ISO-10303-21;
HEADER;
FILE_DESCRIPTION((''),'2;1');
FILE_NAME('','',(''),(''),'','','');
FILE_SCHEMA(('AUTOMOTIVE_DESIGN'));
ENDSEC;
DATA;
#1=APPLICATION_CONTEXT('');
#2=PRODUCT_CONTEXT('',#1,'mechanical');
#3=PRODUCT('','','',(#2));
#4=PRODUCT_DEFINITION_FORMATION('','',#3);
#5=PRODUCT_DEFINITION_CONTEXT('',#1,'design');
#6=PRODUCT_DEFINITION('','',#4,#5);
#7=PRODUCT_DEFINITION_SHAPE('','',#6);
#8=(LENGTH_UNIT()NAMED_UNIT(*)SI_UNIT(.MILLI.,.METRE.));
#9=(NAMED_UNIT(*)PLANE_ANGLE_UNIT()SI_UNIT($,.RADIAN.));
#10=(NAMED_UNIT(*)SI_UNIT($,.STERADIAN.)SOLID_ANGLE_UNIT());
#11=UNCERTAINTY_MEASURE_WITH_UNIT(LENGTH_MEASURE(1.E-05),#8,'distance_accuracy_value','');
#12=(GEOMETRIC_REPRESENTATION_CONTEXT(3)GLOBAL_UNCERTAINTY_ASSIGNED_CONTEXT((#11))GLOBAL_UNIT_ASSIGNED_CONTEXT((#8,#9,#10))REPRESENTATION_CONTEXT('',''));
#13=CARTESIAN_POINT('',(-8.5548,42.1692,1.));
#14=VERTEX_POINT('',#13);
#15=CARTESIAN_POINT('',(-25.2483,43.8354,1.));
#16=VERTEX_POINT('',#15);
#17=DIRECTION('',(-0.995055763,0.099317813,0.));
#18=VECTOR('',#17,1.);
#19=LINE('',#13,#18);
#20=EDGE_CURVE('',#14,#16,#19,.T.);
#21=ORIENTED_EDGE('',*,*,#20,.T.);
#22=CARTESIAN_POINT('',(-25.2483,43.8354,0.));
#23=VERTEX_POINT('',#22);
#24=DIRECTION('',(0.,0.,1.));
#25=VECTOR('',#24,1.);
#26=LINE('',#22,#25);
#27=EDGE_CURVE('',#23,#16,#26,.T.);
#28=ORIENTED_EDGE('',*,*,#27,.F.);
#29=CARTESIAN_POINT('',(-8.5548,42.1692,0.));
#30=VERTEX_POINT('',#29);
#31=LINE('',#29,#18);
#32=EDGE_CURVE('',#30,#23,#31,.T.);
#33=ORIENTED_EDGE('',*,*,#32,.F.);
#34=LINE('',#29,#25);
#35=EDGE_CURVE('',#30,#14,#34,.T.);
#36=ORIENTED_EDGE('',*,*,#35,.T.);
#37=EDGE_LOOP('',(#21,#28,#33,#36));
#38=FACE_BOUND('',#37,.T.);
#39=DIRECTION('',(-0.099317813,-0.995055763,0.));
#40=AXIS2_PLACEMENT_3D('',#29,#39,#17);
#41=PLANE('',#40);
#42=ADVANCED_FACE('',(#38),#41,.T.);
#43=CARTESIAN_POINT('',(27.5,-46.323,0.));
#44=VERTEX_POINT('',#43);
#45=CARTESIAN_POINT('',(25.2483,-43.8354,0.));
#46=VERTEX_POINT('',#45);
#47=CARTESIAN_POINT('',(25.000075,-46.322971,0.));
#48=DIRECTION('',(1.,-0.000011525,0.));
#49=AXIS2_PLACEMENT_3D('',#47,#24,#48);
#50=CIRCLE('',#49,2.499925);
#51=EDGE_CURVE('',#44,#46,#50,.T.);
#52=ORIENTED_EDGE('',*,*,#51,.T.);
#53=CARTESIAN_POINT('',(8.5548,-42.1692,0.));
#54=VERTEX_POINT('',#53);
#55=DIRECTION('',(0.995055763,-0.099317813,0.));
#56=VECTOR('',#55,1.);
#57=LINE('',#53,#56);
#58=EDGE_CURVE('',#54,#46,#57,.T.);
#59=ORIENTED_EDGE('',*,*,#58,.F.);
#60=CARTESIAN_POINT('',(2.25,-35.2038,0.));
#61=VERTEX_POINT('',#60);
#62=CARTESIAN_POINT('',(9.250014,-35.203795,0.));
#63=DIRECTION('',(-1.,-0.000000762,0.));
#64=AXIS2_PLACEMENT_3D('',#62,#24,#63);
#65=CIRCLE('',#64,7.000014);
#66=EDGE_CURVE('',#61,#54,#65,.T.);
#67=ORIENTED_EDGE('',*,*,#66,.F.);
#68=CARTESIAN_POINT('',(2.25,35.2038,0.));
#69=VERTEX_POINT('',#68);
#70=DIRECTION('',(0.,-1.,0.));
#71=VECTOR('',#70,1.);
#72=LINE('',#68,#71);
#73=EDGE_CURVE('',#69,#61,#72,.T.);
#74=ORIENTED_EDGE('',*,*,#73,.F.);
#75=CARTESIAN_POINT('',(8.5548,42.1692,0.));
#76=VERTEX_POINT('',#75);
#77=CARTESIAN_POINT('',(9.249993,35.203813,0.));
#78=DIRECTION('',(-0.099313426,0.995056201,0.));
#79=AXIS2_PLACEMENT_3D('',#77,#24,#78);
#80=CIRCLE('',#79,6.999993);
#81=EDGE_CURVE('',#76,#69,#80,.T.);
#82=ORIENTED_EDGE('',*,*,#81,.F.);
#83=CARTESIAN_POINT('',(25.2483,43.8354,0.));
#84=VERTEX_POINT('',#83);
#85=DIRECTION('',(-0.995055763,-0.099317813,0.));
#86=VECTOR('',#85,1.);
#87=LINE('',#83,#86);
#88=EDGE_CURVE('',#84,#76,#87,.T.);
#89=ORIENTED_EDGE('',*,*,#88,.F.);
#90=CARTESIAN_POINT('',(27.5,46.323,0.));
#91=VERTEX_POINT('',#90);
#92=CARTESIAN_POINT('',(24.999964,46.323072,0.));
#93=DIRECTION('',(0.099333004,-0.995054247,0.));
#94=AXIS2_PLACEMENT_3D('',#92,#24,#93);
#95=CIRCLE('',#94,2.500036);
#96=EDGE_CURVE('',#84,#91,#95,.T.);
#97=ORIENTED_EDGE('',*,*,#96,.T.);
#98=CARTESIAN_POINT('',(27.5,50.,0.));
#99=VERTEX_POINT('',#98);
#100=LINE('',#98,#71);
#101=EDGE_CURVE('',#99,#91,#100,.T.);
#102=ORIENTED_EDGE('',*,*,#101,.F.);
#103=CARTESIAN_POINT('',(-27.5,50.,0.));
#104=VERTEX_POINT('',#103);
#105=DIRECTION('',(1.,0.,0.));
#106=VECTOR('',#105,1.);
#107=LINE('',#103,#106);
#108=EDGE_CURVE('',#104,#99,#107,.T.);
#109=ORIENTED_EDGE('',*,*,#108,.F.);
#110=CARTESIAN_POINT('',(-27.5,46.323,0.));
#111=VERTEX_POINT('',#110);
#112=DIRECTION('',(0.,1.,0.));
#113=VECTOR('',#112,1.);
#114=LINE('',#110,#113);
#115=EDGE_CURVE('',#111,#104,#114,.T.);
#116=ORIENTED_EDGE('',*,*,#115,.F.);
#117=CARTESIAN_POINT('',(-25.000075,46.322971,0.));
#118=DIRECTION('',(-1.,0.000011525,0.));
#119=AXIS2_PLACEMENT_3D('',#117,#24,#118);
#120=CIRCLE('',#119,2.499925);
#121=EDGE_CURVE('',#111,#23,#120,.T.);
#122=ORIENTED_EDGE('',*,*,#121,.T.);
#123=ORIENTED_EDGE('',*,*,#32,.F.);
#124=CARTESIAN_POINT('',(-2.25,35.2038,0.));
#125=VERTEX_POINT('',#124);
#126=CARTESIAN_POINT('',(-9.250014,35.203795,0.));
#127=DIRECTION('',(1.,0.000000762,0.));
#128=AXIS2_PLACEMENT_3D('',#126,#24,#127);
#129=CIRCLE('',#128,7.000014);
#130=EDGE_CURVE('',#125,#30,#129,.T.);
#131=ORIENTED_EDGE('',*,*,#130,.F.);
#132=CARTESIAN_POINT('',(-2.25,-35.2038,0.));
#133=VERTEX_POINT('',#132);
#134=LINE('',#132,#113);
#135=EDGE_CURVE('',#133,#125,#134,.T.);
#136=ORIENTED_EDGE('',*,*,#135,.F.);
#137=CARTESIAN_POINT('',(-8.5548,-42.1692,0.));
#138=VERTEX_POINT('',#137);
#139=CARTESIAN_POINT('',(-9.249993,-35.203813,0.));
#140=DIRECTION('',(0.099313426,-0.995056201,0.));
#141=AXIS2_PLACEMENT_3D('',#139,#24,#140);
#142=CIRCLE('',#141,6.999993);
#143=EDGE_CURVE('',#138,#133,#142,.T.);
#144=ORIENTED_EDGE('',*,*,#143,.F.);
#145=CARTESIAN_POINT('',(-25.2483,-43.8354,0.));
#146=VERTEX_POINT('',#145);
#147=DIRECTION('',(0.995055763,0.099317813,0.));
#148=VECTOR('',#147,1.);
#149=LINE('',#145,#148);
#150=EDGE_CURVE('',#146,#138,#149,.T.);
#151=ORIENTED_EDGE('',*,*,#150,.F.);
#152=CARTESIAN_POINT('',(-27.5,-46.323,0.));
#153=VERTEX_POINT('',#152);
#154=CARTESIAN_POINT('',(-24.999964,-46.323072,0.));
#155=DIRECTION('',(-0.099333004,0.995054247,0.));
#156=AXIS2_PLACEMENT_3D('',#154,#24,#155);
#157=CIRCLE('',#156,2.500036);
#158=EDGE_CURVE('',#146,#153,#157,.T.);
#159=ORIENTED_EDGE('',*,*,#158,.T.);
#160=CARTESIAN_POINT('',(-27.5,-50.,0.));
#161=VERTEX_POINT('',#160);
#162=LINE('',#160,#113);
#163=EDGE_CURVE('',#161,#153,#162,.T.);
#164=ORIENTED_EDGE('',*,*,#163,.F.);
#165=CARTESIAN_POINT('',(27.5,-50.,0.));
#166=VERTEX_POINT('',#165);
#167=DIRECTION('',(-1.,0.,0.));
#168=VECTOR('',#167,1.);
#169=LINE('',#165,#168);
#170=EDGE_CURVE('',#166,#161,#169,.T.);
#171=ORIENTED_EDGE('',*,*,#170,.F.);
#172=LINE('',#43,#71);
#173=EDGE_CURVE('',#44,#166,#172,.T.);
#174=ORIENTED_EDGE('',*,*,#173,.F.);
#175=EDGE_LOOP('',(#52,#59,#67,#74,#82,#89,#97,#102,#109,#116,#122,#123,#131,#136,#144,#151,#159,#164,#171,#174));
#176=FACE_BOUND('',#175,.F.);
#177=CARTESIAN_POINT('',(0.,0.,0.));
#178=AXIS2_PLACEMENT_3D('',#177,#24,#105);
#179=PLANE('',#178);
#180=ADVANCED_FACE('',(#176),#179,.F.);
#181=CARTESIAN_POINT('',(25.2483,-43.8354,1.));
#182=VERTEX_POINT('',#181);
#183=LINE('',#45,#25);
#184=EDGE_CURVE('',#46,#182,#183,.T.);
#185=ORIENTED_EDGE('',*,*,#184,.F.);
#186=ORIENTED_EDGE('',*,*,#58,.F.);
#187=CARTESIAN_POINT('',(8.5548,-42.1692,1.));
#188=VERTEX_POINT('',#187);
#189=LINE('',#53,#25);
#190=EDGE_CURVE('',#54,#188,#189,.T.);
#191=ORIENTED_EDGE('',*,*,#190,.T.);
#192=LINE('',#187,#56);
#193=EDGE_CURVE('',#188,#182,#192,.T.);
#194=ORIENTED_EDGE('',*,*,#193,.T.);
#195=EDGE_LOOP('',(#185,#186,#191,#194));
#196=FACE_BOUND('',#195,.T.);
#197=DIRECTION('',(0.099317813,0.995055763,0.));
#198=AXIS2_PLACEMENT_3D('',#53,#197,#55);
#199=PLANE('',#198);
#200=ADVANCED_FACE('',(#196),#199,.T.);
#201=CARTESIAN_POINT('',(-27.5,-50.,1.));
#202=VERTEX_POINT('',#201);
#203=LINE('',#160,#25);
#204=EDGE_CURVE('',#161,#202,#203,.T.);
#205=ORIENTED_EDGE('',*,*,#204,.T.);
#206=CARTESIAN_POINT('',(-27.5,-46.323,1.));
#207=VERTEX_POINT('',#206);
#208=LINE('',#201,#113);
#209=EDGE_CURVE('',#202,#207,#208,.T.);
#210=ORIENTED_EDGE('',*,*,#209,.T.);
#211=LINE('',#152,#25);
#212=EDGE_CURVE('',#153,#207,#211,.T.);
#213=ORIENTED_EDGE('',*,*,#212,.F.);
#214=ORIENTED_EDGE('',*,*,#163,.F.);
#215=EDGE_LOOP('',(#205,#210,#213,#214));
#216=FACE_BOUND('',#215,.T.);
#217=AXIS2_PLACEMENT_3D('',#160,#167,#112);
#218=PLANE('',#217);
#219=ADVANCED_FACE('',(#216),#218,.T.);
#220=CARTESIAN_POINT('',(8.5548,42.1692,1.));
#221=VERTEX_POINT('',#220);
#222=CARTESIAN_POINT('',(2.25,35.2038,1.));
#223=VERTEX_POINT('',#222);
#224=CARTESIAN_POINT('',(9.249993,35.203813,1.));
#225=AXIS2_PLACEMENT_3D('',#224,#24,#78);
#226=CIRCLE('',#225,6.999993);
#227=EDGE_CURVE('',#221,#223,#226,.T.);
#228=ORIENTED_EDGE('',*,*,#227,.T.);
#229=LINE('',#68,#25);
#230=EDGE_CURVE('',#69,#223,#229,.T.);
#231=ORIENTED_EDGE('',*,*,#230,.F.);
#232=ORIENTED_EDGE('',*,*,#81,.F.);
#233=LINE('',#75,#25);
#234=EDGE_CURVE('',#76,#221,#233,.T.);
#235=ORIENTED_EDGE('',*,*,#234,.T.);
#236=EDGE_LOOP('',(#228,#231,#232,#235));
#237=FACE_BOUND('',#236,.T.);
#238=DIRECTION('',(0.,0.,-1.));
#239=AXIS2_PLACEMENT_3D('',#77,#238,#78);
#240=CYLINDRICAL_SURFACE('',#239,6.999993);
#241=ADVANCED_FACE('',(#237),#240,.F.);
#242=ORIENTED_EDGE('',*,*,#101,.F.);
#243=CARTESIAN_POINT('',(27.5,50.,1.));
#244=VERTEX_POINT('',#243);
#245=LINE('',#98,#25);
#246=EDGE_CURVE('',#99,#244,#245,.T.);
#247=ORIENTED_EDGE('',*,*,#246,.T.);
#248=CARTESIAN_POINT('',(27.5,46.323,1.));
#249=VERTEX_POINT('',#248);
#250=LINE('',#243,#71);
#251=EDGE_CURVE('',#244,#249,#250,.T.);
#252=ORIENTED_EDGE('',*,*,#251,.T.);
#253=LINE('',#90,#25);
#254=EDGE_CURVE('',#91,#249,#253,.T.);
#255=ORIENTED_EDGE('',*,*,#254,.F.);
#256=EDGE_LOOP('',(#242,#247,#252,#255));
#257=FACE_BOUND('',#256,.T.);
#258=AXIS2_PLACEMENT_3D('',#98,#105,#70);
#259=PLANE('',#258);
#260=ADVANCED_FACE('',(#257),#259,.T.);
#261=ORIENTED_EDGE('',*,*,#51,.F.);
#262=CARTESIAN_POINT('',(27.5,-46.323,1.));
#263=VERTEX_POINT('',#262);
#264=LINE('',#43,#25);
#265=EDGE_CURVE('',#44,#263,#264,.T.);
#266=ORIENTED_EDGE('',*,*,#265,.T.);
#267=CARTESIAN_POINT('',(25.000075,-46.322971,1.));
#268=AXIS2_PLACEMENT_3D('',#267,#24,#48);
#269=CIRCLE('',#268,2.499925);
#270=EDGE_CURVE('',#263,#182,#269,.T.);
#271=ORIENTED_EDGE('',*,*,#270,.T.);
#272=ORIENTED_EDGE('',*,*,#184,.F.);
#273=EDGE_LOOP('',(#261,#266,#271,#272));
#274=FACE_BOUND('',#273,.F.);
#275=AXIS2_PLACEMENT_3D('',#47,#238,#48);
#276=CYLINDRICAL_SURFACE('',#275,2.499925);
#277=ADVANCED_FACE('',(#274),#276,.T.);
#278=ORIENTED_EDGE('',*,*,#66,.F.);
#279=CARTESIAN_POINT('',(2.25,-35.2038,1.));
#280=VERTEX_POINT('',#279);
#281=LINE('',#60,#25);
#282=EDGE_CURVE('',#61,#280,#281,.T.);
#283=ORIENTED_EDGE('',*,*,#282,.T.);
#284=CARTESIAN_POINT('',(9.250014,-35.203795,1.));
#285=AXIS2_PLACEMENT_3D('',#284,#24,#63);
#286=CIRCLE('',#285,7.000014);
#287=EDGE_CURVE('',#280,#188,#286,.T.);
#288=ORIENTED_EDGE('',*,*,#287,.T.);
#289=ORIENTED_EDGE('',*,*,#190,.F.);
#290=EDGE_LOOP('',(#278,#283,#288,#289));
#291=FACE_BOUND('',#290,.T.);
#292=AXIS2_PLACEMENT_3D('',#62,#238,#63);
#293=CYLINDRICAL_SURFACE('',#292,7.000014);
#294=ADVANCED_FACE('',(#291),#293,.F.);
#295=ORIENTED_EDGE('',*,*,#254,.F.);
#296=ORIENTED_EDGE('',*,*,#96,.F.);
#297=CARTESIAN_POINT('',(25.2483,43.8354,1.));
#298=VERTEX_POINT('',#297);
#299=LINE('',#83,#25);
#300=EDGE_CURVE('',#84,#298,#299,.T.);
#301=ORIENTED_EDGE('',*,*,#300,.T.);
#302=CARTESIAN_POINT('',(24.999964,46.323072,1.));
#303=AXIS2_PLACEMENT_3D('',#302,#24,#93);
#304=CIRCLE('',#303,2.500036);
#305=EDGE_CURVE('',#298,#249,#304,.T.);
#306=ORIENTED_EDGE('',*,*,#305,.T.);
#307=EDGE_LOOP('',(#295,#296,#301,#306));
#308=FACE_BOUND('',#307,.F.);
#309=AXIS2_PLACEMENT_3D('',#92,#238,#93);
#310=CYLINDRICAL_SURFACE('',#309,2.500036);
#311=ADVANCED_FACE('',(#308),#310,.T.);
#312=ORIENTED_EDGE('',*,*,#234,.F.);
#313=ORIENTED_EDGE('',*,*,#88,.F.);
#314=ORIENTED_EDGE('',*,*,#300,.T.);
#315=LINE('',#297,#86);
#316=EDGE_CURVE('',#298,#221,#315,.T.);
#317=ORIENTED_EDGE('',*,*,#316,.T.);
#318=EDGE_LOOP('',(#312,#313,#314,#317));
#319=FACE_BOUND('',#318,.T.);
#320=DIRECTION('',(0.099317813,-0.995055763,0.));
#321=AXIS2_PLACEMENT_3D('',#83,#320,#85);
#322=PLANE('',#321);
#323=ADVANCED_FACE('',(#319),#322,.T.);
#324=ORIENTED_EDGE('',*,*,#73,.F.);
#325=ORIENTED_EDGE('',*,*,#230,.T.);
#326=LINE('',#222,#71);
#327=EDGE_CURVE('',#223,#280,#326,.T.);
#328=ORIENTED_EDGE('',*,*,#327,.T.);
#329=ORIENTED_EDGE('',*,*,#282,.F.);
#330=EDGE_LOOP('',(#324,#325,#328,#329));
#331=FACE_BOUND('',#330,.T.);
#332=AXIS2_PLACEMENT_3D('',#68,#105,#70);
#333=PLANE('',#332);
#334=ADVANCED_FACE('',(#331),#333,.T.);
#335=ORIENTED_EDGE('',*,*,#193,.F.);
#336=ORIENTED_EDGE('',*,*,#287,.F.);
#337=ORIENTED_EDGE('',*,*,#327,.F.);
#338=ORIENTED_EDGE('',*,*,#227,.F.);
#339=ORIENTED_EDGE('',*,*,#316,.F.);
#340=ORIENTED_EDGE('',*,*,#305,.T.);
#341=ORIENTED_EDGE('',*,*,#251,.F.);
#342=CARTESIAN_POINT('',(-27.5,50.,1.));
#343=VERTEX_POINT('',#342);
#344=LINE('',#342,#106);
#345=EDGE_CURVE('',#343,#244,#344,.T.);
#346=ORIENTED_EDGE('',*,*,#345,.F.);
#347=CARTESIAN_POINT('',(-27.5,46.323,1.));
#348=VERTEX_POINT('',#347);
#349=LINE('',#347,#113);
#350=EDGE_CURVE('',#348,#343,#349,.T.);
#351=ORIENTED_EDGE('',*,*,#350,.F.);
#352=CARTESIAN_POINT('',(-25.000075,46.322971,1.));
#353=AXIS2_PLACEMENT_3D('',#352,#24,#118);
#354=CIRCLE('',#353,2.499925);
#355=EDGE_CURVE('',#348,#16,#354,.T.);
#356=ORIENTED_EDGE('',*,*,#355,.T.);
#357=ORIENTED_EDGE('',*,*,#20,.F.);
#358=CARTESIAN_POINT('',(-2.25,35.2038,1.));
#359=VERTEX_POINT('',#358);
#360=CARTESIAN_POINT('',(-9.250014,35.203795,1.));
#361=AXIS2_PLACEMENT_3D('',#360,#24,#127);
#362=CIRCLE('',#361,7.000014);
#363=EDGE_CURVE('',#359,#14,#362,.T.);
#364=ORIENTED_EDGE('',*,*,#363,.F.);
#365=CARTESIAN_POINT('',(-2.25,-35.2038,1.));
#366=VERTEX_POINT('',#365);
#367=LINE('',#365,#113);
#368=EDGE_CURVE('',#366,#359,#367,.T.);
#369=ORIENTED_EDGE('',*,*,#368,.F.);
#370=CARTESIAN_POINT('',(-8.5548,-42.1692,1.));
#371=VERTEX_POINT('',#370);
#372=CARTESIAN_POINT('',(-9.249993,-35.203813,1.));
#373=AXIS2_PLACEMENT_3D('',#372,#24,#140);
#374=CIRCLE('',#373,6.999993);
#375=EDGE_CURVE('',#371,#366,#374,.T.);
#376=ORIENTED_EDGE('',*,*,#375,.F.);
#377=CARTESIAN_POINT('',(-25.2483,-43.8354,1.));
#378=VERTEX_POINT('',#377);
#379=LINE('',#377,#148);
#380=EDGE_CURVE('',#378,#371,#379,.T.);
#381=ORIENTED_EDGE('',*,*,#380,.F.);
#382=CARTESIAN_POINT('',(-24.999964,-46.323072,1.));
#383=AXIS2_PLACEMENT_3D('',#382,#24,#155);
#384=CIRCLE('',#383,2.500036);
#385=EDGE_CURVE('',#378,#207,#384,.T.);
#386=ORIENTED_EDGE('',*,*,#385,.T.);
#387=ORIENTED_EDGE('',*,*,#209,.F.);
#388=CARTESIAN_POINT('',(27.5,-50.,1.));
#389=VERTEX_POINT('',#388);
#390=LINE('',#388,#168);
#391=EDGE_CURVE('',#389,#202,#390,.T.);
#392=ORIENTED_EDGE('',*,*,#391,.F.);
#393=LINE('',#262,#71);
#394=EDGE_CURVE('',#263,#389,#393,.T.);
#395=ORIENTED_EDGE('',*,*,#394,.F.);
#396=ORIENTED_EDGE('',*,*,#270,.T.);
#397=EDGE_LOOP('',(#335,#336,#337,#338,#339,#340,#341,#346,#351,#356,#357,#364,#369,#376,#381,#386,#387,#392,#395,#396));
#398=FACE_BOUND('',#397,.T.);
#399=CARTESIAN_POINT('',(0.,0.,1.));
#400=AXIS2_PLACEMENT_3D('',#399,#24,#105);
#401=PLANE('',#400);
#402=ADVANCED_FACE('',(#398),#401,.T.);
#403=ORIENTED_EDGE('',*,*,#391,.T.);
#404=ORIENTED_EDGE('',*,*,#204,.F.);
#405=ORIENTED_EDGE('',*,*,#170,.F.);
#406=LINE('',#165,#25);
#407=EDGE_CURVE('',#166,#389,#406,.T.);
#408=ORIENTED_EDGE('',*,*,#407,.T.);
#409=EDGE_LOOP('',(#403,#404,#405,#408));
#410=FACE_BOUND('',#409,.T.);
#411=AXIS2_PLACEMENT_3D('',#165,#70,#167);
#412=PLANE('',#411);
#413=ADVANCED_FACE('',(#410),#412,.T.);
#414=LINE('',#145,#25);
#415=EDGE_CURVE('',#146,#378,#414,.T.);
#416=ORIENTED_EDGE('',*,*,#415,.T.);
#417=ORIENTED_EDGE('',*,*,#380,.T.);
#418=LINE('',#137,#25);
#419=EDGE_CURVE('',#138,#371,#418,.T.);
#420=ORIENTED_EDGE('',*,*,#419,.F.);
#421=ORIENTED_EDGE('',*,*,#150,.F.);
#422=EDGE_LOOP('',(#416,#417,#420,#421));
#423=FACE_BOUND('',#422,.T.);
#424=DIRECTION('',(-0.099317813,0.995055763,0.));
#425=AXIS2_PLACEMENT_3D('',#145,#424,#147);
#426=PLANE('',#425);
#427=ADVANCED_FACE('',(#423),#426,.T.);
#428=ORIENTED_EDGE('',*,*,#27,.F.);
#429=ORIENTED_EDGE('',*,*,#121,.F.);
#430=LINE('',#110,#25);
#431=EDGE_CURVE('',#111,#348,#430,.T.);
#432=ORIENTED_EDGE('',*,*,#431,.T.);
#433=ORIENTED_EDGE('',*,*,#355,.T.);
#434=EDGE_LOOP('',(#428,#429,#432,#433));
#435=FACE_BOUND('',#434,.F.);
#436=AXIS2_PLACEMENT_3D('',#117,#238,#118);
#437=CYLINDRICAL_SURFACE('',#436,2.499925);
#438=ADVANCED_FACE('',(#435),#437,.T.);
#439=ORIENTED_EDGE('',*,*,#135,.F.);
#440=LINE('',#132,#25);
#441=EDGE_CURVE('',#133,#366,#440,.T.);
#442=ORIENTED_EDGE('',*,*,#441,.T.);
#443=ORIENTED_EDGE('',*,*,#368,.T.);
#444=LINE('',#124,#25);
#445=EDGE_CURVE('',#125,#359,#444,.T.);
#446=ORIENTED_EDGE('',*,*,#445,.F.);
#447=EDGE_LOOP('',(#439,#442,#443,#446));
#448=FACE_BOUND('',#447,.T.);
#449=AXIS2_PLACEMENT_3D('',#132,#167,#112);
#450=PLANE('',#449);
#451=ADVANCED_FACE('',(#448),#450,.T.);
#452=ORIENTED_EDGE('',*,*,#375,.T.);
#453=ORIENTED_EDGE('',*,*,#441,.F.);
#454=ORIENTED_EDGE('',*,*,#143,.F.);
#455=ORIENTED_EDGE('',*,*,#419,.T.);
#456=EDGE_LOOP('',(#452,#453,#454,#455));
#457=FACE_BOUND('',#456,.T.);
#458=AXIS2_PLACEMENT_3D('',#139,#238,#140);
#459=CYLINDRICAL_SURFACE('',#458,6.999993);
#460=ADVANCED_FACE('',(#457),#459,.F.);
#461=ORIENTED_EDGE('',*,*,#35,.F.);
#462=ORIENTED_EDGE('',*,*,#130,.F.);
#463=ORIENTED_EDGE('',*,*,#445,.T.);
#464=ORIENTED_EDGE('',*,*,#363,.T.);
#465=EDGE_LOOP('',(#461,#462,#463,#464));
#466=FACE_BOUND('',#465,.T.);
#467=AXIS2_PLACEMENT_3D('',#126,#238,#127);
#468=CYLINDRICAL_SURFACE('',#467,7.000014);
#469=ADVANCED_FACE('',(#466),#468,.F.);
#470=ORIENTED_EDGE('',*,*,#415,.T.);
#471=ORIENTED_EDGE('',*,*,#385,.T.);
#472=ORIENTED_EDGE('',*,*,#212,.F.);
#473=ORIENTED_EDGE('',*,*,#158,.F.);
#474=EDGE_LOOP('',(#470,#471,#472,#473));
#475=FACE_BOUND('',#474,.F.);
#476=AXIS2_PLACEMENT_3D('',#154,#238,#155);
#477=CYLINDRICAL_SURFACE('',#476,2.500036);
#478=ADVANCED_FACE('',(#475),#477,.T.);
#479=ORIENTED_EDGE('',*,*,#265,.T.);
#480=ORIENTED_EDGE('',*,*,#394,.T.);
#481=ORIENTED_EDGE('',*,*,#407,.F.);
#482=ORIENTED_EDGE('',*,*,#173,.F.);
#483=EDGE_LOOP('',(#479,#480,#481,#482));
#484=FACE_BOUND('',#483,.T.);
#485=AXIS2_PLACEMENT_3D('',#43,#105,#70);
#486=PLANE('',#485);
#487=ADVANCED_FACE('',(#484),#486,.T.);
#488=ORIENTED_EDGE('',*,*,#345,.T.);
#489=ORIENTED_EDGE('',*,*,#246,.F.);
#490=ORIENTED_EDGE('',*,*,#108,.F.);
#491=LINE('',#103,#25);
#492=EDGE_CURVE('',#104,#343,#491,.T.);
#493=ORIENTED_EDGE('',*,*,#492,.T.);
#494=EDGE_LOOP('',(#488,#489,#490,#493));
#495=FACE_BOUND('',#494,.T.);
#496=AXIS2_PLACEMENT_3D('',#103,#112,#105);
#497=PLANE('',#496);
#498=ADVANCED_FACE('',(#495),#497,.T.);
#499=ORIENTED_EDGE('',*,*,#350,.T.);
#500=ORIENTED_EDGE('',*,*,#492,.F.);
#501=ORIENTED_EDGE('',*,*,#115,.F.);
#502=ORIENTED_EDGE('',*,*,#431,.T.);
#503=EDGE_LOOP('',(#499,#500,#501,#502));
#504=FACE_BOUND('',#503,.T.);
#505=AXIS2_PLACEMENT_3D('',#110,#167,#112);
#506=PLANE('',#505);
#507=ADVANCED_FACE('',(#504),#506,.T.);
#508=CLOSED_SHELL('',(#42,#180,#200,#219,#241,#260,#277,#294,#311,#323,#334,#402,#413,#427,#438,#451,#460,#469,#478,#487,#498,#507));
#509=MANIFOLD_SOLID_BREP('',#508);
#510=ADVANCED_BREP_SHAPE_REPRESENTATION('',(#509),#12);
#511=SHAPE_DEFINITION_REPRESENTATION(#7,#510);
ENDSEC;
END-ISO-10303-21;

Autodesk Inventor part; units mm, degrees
ref_plane "YZ Plane" through (0, 0, 0) normal (1, 0, 0) x (0, 1, 0)
ref_plane "Start Plane1" through (0, 0, 0) normal (0, 0, 1) x (1, 0, 0)
ref_plane "End Plane1" through (0, 0, 1) normal (0, 0, 1) x (1, 0, 0)
sketch "Sketch4" plane through (0, 0, 0) normal (0, 0, 1) x (1, 0, 0)
  line L0 (0, 0) -> (10, 0)
ref_plane "Work Plane4" through (0, 0, 0) normal (0, -1, 0) x (1, 0, 0)
sketch "Sketch5" plane through (0, 0, 0) normal (0, -1, 0) x (1, 0, 0)
  line L0 (-2, 0) -> (12, 0)
  line L1 (-2, 1) -> (12, 1)
  dimension "d22" = 1
sketch "Sketch1" plane through (0, 0, 0) normal (0, 0, 1) x (1, 0, 0)
  line L0 (-27.5, 50) -> (27.5, 50)
  line L1 (27.5, 50) -> (27.5, 46.323)
  line L2 (25.2483, 43.8354) -> (8.5548, 42.1692)
  line L3 (2.25, 35.2038) -> (2.25, -35.2038)
  line L4 (8.5548, -42.1692) -> (25.2483, -43.8354)
  line L5 (27.5, -46.323) -> (27.5, -50)
  line L6 (27.5, -50) -> (-27.5, -50)
  line L7 (-27.5, -50) -> (-27.5, -46.323)
  line L8 (-25.2483, -43.8354) -> (-8.5548, -42.1692)
  line L9 (-2.25, -35.2038) -> (-2.25, 35.2038)
  line L10 (-8.5548, 42.1692) -> (-25.2483, 43.8354)
  line L11 (-27.5, 46.323) -> (-27.5, 50)
  arc A0 (-27.5, 46.323) -> (-25.2483, 43.8354) centre (-25, 46.323) ccw
  arc A1 (25.2483, 43.8354) -> (27.5, 46.323) centre (25, 46.323) ccw
  arc A2 (27.5, -46.323) -> (25.2483, -43.8354) centre (25, -46.323) ccw
  arc A3 (-25.2483, -43.8354) -> (-27.5, -46.323) centre (-25, -46.323) ccw
  arc A4 (-2.25, 35.2038) -> (-8.5548, 42.1692) centre (-9.25, 35.2038) ccw
  arc A5 (-8.5548, -42.1692) -> (-2.25, -35.2038) centre (-9.25, -35.2038) ccw
  arc A6 (2.25, -35.2038) -> (8.5548, -42.1692) centre (9.25, -35.2038) ccw
  arc A7 (8.5548, 42.1692) -> (2.25, 35.2038) centre (9.25, 35.2038) ccw
  line L12 (-2.25, 0) -> (2.25, 0) construction
  line L13 (0, 0) -> (0, 10) construction
  point P0 (14.875, -42.8)
  dimension "d0" = 2.5
  dimension "d1" = 7
  dimension "d10" = 55
  dimension "d12" = 100
  dimension "d14" = 4.5
  dimension "d16" = 12.625
  dimension "d17" = 7.2
  dimension "d25" = 10
  dimension "d26" = 5.7
  dimension "d27" = 90
extrude "Выдавливание1" add sketch "Sketch1" along normal up to surface (1 mm away) from surface at 0
equation "\"d0\" = r_"
equation "\"d1\" = R__"
equation "\"d10\" = b"
equation "\"d14\" = s_"
equation "\"d16\" = -0.25 * s_ + 0.25 * b"
equation "\"d17\" = t_"
equation "\"b\" = 55"
equation "\"r_\" = 2.5"
equation "\"R__\" = 7"
equation "\"G_L\" = d22"
equation "\"t_\" = 7.2"
equation "\"s_\" = 4.5"
equation "\"B_L\" = 1"
equation "\"G_OFFSET_START\" = 0"
equation "\"G_OFFSET_END\" = 0"
equation "\"d9\" = G_OFFSET_END + B_L"
properties part number "Двотавр" material "С245 ДСТУ 8539"
